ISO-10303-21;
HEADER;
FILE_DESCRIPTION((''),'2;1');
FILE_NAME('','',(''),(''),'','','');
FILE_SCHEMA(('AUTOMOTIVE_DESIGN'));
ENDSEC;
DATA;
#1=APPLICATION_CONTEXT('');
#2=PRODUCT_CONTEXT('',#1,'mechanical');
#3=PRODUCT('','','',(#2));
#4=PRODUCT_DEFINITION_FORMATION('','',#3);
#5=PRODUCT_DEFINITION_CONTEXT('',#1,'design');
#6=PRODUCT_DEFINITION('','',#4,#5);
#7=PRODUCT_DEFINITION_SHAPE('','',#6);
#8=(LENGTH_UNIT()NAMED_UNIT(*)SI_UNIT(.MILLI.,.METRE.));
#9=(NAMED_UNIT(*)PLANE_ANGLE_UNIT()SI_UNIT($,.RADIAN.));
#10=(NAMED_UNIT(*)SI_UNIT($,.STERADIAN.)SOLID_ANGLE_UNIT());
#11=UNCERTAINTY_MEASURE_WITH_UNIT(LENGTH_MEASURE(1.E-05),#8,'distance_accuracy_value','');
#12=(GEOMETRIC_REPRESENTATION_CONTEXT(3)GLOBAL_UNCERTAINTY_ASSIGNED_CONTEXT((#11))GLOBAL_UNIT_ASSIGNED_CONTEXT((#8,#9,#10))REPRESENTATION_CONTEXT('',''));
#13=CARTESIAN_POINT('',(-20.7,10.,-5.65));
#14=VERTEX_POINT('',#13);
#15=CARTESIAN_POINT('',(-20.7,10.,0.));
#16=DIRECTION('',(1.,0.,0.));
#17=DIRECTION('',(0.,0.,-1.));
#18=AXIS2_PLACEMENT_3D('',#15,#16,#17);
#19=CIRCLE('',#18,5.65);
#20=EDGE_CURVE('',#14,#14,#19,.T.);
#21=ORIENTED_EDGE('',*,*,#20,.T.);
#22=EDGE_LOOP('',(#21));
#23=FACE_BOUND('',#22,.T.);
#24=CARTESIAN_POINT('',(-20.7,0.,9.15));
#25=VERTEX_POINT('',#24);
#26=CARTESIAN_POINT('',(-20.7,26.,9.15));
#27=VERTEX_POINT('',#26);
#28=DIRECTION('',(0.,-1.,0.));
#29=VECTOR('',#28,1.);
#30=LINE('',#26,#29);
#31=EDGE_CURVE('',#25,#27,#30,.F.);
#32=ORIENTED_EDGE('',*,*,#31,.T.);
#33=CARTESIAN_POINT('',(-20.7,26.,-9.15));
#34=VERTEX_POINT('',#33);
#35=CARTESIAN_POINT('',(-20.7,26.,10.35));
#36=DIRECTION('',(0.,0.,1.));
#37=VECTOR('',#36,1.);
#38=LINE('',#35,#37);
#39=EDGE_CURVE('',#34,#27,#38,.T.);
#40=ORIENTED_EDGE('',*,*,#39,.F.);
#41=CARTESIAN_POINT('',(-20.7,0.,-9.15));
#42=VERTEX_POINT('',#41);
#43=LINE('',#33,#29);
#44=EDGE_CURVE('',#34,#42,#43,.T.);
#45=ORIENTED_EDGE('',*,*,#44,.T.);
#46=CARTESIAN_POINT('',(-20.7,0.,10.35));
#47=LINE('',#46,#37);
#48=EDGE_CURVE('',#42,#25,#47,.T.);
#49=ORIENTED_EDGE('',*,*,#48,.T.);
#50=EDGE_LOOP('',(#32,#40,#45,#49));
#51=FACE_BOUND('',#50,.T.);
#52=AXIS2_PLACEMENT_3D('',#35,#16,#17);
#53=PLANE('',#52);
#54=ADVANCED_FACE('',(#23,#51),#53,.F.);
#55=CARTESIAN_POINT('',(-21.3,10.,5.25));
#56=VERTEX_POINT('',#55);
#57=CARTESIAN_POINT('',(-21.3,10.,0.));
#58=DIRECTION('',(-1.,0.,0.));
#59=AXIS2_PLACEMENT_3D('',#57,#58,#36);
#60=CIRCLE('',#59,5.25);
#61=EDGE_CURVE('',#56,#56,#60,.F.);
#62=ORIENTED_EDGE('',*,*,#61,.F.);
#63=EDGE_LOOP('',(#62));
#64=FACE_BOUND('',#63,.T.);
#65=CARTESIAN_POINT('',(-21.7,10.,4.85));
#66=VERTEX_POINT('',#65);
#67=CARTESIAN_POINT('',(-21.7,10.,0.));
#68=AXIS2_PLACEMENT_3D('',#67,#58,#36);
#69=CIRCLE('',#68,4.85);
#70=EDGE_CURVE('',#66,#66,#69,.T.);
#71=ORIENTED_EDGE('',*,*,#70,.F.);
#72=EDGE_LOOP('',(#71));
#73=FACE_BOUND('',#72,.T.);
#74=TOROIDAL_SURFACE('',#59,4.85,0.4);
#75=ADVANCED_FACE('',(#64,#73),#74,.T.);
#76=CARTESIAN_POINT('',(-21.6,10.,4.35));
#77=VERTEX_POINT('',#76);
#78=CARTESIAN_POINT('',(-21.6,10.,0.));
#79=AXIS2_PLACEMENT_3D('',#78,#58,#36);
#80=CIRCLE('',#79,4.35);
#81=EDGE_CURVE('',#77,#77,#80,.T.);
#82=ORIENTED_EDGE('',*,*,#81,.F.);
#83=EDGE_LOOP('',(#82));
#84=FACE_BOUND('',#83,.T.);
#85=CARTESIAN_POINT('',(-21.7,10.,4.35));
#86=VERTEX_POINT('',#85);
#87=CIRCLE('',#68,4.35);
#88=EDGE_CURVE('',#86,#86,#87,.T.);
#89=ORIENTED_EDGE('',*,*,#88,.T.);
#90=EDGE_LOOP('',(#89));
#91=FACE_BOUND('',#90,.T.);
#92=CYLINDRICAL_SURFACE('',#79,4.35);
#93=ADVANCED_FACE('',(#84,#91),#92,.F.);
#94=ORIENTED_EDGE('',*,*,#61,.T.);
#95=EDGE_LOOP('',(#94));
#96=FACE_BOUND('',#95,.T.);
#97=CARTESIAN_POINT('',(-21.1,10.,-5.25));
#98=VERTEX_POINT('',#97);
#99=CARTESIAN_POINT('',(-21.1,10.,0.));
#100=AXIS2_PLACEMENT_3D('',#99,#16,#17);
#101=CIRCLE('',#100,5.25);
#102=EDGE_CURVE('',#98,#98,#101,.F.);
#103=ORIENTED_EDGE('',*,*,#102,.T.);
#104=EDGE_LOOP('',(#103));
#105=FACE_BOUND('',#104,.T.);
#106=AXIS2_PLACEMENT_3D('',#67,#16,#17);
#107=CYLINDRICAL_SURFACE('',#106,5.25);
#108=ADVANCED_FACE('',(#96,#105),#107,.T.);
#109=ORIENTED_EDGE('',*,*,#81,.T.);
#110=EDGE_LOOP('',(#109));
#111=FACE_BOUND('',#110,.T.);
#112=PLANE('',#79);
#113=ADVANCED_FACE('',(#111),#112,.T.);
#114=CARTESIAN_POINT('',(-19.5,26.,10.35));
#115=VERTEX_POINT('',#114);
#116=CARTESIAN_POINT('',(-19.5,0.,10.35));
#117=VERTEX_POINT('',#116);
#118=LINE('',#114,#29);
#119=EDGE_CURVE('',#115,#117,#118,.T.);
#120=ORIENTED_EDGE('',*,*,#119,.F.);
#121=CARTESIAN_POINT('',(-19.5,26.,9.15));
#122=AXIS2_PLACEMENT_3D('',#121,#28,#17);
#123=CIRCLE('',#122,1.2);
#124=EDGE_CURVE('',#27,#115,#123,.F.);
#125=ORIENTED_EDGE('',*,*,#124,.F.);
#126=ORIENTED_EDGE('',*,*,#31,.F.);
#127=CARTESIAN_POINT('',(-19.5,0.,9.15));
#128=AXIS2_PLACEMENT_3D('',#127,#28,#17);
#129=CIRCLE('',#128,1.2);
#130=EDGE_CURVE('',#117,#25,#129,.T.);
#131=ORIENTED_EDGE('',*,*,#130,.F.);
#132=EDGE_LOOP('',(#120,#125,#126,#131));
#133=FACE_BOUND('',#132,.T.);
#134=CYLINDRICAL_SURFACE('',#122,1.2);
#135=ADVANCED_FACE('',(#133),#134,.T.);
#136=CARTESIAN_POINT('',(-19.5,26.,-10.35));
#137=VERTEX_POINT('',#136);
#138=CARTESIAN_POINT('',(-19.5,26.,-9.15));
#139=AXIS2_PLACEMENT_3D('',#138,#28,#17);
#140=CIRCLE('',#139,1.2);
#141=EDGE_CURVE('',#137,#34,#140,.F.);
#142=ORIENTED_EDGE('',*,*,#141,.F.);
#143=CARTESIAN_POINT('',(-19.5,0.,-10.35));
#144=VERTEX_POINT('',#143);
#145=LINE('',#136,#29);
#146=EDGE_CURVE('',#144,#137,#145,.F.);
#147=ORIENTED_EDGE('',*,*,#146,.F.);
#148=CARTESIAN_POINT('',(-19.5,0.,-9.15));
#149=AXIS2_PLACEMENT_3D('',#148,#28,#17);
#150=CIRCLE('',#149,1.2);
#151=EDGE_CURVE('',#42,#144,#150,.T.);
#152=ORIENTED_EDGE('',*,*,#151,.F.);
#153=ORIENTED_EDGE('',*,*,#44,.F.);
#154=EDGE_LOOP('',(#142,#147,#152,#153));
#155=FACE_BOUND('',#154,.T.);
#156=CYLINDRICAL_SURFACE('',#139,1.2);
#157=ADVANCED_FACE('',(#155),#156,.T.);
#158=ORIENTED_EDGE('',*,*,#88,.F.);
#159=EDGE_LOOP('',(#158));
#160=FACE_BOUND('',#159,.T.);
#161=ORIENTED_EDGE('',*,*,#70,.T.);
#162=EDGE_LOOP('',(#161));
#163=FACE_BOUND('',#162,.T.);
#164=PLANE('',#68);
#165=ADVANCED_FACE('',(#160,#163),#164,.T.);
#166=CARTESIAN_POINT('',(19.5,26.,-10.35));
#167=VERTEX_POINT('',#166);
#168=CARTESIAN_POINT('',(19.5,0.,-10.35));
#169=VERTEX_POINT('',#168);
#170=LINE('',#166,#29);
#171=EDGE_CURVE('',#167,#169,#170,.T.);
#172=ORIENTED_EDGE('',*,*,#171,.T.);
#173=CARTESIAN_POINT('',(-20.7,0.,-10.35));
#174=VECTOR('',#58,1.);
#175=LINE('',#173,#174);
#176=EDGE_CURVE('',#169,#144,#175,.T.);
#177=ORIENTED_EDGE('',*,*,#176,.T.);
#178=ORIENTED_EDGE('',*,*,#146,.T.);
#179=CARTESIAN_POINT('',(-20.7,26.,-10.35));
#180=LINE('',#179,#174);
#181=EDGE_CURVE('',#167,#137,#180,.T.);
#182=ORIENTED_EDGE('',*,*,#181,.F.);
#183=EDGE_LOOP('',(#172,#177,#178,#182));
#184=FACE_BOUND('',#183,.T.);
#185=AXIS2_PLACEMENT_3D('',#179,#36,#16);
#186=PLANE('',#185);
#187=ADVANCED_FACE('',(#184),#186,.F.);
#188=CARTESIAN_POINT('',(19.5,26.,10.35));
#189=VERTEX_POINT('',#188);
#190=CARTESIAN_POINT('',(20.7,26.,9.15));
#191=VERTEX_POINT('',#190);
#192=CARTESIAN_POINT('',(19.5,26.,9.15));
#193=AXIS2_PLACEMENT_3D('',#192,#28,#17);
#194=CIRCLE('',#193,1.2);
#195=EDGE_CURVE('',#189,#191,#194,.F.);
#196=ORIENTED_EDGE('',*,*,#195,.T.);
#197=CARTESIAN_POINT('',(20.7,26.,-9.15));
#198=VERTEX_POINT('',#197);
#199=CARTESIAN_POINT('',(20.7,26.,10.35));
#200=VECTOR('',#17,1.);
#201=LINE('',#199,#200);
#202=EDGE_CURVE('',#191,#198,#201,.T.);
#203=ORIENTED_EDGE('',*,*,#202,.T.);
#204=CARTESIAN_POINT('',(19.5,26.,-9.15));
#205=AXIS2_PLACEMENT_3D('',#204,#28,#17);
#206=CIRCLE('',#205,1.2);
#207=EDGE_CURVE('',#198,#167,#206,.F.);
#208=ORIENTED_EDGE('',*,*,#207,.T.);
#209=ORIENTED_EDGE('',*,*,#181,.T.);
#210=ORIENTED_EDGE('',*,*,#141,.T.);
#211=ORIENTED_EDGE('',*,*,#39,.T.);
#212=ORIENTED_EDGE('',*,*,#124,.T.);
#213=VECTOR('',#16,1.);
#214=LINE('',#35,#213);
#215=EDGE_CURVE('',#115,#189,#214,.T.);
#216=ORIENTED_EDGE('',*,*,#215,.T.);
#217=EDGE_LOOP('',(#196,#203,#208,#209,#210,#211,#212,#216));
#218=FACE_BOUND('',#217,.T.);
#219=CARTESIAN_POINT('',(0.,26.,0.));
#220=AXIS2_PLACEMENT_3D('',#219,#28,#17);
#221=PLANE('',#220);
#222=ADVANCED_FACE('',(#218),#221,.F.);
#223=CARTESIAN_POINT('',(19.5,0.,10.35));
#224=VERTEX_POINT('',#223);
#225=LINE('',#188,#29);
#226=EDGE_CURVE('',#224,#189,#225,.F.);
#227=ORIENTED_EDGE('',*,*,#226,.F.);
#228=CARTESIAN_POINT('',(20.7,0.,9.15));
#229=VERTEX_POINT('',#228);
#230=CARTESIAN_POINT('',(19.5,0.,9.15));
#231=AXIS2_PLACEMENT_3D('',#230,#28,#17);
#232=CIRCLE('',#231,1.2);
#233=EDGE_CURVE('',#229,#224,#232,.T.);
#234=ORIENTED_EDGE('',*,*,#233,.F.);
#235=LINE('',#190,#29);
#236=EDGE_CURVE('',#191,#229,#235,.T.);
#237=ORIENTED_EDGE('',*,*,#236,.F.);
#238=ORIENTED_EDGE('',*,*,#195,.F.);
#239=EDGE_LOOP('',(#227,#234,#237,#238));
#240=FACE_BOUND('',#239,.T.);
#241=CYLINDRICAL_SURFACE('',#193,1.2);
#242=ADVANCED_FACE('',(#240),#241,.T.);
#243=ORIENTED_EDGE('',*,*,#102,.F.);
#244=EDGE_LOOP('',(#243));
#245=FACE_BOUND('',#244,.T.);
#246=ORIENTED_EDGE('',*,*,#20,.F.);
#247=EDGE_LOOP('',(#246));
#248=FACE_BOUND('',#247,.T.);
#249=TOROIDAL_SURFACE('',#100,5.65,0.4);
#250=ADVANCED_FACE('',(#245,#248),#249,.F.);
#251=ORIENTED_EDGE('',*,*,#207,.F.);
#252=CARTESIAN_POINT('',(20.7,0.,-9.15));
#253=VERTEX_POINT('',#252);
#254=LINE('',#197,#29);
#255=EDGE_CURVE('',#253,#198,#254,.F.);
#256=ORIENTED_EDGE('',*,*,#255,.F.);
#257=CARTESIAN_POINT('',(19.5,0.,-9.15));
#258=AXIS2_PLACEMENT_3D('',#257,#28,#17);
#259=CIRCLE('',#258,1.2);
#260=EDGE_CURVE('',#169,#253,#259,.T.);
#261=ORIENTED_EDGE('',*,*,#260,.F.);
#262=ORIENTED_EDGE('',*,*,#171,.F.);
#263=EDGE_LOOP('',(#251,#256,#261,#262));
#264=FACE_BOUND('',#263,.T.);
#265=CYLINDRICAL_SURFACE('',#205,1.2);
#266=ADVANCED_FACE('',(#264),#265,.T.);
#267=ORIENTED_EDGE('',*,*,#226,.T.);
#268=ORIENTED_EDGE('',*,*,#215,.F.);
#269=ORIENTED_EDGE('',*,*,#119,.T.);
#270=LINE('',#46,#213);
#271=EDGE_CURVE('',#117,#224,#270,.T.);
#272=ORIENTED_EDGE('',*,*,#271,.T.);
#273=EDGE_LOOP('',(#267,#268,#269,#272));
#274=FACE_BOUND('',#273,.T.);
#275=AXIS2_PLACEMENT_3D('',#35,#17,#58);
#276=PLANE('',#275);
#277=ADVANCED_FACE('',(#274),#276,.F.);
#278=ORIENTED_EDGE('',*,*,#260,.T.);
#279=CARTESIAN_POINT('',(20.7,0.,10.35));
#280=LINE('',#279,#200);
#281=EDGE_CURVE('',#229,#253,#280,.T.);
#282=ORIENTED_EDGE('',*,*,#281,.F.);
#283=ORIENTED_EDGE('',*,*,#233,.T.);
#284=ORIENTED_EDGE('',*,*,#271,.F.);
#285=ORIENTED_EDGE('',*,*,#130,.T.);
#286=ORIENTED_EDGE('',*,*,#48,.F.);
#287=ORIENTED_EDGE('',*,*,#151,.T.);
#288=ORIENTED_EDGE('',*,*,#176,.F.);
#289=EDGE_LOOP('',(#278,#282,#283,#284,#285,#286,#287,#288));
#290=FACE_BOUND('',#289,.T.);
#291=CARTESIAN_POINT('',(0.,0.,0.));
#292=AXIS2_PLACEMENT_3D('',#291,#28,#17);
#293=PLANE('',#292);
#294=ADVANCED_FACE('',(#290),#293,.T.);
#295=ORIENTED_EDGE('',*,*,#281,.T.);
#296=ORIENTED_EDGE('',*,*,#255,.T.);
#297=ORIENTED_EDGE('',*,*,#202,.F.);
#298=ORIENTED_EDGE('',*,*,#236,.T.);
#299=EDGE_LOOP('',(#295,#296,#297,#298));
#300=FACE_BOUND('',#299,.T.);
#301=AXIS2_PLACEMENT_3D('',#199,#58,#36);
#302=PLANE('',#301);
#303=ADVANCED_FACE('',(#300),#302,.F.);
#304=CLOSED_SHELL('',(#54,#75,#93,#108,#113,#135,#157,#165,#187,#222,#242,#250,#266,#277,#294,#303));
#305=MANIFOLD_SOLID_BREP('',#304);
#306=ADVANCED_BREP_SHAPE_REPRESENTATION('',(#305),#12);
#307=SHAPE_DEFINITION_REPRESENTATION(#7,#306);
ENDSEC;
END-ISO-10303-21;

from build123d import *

# Parameters (mm, degrees)
CROQUIS1_W              = 41.4
CROQUIS1_H              = 20.7
SALIENTE_EXTRUIR1_DEPTH = 26
CROQUIS3_R              = 5.25
SALIENTE_EXTRUIR2_DEPTH = 1
REDONDEO1_R             = 0.4
CROQUIS5_R              = 4.35
CORTAR_EXTRUIR1_DEPTH   = 0.1
REDONDEO2_R             = 1.2


with BuildPart() as part:
    # Croquis1 → Saliente-Extruir1 (new body)
    with BuildSketch(Plane(origin=(0, 0, 0), x_dir=(1, 0, 0), z_dir=(0, 1, 0))):
        Rectangle(CROQUIS1_W, CROQUIS1_H)
    extrude(amount=SALIENTE_EXTRUIR1_DEPTH)

    # Croquis3 → Saliente-Extruir2 (add)
    with BuildSketch(Plane.ZY.offset(20.7)):
        with Locations((0, 10)):
            Circle(CROQUIS3_R)
    extrude(amount=SALIENTE_EXTRUIR2_DEPTH)

    # Redondeo1
    redondeo1_edges = [part.edges().sort_by_distance(p)[0] for p in [
        (-20.7, 10, -5.25),
        (-21.7, 10, -5.25),
    ]]
    fillet(redondeo1_edges, radius=REDONDEO1_R)

    # Croquis5 → Cortar-Extruir1 (cut)
    with BuildSketch(Plane.ZY.offset(21.7)):
        with Locations((0, 10)):
            Circle(CROQUIS5_R)
    extrude(amount=-CORTAR_EXTRUIR1_DEPTH, mode=Mode.SUBTRACT)

    # Redondeo2
    redondeo2_edges = [part.edges().sort_by_distance(p)[0] for p in [
        (20.7, 13, 10.35),
        (-20.7, 13, 10.35),
        (-20.7, 13, -10.35),
        (20.7, 13, -10.35),
    ]]
    fillet(redondeo2_edges, radius=REDONDEO2_R)


solid = part.part
